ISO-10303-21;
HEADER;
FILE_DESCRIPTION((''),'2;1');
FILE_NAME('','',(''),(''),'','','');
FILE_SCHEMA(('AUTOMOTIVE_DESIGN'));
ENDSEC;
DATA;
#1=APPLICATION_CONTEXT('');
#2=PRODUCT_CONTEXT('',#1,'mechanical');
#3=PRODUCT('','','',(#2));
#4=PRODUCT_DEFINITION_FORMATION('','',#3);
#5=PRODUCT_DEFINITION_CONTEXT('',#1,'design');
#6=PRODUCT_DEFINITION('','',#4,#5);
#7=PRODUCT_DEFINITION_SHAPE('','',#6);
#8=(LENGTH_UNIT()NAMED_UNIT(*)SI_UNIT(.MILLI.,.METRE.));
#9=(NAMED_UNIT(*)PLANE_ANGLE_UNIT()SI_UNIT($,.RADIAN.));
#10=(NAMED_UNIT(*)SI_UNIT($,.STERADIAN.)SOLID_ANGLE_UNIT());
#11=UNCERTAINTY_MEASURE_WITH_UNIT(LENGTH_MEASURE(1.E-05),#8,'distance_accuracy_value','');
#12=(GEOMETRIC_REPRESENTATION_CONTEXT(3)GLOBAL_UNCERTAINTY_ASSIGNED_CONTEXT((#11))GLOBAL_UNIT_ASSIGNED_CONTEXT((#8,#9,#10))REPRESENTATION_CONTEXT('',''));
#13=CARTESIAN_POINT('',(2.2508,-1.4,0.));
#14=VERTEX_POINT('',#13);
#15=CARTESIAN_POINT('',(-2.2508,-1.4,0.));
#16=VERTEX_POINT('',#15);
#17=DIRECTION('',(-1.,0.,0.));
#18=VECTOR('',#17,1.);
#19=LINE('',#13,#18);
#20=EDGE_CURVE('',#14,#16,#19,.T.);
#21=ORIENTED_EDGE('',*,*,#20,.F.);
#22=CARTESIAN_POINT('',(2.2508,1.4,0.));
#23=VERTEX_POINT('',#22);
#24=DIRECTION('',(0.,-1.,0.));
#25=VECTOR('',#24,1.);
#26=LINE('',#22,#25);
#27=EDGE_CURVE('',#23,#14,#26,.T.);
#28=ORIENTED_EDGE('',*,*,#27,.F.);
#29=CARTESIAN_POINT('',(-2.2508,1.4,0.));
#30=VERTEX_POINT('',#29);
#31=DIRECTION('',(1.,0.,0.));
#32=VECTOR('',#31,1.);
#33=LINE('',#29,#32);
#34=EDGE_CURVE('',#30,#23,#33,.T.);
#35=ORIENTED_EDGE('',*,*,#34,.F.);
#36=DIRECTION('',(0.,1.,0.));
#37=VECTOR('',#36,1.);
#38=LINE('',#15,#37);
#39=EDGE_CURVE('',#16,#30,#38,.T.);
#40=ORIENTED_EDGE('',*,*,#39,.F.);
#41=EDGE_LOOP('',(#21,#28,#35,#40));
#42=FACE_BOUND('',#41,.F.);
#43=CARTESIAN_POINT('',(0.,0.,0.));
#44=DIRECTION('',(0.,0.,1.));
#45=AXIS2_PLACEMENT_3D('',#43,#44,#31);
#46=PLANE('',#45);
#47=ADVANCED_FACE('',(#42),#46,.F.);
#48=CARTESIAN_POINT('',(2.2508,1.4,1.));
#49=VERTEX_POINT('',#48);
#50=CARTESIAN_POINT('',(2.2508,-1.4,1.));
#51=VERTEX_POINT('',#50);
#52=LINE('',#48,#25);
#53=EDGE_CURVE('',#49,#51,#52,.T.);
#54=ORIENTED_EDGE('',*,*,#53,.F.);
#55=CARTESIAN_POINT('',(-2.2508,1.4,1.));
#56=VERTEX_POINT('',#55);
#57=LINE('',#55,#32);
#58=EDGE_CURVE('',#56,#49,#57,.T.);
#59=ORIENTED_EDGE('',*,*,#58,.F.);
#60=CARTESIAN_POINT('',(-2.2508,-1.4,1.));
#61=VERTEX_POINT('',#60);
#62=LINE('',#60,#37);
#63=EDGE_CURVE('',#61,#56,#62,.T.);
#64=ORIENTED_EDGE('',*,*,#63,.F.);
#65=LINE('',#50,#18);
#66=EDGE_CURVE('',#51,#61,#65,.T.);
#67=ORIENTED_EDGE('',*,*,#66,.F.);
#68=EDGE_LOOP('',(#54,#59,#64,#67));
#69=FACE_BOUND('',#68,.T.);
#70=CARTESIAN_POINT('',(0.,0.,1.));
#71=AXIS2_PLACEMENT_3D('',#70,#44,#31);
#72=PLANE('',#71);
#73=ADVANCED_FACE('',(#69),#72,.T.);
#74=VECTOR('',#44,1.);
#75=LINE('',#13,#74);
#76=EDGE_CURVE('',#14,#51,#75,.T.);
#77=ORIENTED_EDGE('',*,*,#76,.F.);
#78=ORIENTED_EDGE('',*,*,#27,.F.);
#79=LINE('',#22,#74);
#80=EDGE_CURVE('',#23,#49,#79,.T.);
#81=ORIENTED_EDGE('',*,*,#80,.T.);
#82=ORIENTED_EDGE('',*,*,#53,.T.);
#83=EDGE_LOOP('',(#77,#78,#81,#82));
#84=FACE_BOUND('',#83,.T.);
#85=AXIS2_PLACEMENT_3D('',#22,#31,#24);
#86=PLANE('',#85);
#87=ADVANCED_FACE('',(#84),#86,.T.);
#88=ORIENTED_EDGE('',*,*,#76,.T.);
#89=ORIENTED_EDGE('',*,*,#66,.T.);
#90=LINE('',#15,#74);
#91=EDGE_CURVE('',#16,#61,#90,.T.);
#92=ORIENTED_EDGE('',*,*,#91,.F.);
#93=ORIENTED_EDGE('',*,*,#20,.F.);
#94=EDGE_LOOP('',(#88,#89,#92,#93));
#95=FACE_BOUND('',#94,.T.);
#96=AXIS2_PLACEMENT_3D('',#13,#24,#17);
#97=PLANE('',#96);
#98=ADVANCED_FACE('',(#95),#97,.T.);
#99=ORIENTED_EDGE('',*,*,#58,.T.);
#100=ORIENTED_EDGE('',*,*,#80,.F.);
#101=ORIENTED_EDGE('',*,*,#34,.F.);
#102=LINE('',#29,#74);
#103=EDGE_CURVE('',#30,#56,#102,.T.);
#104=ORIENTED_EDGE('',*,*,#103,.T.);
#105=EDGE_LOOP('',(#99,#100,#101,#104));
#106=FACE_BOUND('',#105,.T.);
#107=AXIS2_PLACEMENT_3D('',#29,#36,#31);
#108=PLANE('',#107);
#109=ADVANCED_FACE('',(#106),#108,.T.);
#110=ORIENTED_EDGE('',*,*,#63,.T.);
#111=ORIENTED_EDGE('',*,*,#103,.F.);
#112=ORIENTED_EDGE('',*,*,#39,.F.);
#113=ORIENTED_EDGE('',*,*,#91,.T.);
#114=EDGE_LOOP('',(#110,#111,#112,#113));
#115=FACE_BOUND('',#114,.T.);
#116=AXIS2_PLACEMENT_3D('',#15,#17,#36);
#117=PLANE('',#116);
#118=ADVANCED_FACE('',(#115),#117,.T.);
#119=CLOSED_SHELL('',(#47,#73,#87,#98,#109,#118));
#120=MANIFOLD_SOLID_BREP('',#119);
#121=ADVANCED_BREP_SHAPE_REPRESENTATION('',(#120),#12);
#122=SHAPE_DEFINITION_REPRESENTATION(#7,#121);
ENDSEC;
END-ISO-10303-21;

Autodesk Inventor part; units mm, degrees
ref_plane "YZ Plane" through (0, 0, 0) normal (1, 0, 0) x (0, 1, 0)
ref_plane "XZ Plane" through (0, 0, 0) normal (0, 1, 0) x (-1, 0, 0)
ref_plane "XY Plane" through (0, 0, 0) normal (0, 0, 1) x (1, 0, 0)
sketch "MURATA-FILTER_CSTCR, CSTCR6M00G15L99_97" plane through (0, 0, 0) normal (0, 0, 1) x (1, 0, 0)
  line L0 (-2.2508, 1.4) -> (2.2508, 1.4)
  line L1 (2.2508, 1.4) -> (2.2508, -1.4)
  line L2 (2.2508, -1.4) -> (-2.2508, -1.4)
  line L3 (-2.2508, -1.4) -> (-2.2508, 1.4)
extrude "Extrusion1" add sketch "MURATA-FILTER_CSTCR, CSTCR6M00G15L99_97" along normal blind 1
properties part number "CSTCR6M00G15L99"
